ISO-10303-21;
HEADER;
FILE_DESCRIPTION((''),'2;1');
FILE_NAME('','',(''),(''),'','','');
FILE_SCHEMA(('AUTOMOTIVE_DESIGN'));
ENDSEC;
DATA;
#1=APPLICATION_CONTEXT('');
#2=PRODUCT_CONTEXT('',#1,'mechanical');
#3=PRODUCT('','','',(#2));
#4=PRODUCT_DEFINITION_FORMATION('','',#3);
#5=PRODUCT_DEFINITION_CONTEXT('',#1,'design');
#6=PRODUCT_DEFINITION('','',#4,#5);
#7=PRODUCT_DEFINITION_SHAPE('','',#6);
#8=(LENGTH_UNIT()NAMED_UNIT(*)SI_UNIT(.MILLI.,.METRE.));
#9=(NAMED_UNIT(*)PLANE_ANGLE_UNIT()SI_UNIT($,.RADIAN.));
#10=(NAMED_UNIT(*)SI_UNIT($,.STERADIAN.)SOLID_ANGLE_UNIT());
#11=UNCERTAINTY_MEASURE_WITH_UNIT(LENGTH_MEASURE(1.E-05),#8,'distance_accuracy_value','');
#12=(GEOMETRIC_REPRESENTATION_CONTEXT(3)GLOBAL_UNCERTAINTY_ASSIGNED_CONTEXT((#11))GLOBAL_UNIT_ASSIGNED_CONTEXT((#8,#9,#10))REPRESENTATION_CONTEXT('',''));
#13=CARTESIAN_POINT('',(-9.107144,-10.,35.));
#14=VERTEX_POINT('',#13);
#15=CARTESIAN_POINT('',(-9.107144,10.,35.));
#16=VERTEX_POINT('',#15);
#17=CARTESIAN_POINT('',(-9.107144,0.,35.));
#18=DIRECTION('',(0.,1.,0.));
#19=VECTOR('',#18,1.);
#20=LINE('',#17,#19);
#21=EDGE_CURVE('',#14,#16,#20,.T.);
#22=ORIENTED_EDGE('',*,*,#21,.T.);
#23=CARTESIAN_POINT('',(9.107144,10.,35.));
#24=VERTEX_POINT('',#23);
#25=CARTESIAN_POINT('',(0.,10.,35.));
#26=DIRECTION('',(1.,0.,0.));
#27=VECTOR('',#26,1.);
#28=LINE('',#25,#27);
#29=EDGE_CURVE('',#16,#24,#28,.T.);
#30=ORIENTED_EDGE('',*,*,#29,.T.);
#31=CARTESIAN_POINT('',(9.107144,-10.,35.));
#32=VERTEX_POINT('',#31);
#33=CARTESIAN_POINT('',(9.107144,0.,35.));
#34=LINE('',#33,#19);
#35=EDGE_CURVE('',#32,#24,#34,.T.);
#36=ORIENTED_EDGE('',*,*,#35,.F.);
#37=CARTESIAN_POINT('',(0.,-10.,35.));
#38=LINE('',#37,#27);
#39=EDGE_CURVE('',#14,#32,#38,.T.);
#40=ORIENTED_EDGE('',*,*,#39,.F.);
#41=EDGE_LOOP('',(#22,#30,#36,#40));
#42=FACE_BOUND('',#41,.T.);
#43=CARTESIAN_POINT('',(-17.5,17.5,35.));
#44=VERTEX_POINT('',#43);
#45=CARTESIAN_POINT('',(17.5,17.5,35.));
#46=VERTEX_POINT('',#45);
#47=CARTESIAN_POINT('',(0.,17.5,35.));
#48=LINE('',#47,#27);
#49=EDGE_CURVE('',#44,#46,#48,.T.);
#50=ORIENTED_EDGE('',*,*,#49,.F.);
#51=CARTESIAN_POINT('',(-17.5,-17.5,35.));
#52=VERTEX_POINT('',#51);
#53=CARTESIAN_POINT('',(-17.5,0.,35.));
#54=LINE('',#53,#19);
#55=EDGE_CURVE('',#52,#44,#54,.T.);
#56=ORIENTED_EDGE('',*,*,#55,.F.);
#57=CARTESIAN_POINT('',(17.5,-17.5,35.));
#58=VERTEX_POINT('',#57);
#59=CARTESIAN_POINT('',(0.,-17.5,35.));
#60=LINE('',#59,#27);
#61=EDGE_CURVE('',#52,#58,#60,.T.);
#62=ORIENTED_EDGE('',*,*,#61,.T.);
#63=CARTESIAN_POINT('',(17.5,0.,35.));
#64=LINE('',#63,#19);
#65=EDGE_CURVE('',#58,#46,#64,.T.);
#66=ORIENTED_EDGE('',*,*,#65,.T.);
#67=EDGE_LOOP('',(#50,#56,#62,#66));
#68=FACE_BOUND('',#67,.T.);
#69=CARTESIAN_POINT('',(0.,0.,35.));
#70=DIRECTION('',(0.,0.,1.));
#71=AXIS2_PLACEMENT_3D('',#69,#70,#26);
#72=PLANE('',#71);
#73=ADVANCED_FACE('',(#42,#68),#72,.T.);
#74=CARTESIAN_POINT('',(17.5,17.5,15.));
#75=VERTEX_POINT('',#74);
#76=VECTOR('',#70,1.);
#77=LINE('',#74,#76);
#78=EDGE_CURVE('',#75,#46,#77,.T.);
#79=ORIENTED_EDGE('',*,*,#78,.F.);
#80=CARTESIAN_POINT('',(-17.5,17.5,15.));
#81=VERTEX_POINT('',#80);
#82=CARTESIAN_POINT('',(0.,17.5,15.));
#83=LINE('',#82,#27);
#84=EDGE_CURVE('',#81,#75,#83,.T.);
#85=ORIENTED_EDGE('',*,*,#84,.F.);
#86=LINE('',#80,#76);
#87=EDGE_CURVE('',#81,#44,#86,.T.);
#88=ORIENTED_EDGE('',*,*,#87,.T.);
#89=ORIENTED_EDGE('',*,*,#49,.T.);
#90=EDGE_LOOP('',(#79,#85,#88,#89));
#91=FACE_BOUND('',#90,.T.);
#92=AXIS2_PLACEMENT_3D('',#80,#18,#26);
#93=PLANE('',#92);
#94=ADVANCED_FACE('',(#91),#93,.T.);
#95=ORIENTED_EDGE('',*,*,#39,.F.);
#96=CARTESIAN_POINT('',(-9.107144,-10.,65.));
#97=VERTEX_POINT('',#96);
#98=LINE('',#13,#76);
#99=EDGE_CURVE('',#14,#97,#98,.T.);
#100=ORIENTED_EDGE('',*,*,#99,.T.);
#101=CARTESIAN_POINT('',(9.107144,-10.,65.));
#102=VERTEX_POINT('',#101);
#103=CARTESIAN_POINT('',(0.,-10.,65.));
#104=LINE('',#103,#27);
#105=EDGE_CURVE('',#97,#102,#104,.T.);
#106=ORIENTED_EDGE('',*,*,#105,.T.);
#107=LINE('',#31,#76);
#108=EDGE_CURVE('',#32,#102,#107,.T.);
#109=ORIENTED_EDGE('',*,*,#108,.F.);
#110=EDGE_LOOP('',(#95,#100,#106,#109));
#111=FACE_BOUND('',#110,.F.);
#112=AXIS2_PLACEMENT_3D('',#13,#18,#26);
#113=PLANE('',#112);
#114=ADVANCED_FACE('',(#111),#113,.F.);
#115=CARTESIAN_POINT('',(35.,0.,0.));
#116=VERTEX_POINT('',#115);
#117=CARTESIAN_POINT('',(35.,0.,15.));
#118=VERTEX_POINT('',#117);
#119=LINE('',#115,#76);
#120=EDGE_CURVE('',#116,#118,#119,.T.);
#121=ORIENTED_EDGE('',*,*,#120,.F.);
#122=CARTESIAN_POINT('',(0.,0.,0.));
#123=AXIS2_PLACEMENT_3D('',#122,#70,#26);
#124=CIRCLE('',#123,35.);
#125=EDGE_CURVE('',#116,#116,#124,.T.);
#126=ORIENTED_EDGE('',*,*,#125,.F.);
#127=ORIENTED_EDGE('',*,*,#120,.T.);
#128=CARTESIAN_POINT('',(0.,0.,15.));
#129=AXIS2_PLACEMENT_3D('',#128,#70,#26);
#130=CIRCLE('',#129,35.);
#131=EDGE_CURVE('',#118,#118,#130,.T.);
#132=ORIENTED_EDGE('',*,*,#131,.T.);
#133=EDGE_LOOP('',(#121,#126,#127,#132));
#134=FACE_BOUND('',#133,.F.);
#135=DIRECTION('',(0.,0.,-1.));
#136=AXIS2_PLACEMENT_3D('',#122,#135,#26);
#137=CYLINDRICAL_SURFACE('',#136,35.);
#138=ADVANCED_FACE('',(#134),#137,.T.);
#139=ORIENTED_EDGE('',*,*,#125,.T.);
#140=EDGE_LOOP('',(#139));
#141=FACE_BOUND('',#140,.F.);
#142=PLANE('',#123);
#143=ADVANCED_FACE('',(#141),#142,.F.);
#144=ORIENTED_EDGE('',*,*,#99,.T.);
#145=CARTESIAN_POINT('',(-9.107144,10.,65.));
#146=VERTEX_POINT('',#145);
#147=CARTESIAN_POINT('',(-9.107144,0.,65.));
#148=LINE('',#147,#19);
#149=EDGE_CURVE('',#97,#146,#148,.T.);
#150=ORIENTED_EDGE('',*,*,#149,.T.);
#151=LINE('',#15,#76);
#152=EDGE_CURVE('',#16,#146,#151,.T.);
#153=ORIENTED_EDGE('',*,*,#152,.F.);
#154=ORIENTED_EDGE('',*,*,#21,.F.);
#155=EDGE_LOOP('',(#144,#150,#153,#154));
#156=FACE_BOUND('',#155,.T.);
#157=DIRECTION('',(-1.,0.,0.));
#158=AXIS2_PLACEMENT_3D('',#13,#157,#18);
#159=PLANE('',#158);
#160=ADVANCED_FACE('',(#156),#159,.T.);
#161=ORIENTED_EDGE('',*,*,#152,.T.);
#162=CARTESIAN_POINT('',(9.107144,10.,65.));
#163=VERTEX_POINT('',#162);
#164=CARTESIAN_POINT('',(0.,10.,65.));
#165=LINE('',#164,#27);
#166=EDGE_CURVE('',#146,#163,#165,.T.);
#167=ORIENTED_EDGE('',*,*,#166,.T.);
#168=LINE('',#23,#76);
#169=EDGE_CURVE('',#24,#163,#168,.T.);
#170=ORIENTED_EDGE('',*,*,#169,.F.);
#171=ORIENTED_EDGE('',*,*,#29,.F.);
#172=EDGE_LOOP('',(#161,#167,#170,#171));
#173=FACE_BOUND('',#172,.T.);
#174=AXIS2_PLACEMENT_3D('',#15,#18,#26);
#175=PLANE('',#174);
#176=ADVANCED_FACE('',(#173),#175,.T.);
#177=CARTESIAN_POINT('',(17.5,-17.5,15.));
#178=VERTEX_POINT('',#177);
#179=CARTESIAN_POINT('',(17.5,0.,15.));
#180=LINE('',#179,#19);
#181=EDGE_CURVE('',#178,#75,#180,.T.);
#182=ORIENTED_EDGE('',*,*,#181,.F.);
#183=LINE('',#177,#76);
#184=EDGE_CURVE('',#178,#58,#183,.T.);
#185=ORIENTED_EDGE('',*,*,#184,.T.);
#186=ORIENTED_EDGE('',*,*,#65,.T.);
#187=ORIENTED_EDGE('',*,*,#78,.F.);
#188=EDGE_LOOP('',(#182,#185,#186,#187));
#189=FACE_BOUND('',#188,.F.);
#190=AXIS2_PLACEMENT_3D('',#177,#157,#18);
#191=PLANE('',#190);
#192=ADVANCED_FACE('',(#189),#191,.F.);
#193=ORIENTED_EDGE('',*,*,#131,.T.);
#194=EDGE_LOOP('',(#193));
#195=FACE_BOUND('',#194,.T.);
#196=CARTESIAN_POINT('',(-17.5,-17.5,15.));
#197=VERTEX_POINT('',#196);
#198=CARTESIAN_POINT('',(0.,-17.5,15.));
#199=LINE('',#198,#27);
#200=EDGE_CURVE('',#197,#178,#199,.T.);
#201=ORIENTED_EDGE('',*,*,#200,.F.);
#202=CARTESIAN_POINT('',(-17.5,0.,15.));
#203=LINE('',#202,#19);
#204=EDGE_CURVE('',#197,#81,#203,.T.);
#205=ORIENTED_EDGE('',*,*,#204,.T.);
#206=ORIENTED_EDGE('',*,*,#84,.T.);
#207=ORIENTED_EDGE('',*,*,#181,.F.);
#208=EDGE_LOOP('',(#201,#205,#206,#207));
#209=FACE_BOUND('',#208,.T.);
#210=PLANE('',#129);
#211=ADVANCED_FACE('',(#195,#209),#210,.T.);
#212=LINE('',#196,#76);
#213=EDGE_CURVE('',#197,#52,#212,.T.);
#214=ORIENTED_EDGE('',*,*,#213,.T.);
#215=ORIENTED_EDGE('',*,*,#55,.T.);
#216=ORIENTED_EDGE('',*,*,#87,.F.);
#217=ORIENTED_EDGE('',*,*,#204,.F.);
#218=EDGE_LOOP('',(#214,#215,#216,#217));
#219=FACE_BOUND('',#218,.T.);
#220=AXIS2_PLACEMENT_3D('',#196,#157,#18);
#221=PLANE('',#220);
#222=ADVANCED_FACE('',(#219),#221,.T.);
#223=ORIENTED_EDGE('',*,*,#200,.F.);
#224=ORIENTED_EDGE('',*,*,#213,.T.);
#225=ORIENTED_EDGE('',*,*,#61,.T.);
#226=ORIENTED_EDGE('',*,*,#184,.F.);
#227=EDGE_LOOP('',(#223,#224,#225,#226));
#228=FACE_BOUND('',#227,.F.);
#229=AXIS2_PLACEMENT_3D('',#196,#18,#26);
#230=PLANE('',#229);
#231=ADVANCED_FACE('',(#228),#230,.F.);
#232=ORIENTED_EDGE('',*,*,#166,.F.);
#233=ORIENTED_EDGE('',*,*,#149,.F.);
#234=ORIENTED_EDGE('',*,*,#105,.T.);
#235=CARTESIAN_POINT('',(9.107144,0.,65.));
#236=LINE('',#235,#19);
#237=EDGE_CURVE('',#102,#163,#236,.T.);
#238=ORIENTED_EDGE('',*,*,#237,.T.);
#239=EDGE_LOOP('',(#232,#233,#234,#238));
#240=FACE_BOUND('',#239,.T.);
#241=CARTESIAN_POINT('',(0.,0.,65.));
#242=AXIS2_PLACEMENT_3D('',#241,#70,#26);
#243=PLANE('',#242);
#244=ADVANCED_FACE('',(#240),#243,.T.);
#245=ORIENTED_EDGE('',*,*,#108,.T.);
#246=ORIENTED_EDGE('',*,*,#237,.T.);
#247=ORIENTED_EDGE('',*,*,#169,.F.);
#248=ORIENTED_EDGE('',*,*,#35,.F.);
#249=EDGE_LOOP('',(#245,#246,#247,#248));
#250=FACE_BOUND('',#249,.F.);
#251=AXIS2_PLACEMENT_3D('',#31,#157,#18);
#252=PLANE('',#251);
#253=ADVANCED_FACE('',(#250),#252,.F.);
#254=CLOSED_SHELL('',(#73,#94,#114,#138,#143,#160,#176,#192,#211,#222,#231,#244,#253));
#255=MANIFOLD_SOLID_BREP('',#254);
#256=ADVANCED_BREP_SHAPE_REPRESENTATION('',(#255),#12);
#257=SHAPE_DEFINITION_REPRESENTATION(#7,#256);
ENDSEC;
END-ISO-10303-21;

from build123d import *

# Parameters (mm, degrees)
F0_R     = 35
F1_DEPTH = 15
F2_W     = 35
F2_H     = 35
F3_DEPTH = 20
F4_W     = 18.214288
F4_H     = 20
F5_DEPTH = 30


with BuildPart() as f1:
    # F0 (on Top) → F1 (new body)
    with BuildSketch(Plane.XY):
        Circle(F0_R)
    extrude(amount=F1_DEPTH)

    # F2 (on face) → F3 (join)
    with BuildSketch(Plane.XY.offset(15)):
        Rectangle(F2_W, F2_H)
    extrude(amount=F3_DEPTH)

    # F4 (on face) → F5 (join)
    with BuildSketch(Plane.XY.offset(35)):
        Rectangle(F4_W, F4_H)
    extrude(amount=F5_DEPTH)


solid = f1.part
